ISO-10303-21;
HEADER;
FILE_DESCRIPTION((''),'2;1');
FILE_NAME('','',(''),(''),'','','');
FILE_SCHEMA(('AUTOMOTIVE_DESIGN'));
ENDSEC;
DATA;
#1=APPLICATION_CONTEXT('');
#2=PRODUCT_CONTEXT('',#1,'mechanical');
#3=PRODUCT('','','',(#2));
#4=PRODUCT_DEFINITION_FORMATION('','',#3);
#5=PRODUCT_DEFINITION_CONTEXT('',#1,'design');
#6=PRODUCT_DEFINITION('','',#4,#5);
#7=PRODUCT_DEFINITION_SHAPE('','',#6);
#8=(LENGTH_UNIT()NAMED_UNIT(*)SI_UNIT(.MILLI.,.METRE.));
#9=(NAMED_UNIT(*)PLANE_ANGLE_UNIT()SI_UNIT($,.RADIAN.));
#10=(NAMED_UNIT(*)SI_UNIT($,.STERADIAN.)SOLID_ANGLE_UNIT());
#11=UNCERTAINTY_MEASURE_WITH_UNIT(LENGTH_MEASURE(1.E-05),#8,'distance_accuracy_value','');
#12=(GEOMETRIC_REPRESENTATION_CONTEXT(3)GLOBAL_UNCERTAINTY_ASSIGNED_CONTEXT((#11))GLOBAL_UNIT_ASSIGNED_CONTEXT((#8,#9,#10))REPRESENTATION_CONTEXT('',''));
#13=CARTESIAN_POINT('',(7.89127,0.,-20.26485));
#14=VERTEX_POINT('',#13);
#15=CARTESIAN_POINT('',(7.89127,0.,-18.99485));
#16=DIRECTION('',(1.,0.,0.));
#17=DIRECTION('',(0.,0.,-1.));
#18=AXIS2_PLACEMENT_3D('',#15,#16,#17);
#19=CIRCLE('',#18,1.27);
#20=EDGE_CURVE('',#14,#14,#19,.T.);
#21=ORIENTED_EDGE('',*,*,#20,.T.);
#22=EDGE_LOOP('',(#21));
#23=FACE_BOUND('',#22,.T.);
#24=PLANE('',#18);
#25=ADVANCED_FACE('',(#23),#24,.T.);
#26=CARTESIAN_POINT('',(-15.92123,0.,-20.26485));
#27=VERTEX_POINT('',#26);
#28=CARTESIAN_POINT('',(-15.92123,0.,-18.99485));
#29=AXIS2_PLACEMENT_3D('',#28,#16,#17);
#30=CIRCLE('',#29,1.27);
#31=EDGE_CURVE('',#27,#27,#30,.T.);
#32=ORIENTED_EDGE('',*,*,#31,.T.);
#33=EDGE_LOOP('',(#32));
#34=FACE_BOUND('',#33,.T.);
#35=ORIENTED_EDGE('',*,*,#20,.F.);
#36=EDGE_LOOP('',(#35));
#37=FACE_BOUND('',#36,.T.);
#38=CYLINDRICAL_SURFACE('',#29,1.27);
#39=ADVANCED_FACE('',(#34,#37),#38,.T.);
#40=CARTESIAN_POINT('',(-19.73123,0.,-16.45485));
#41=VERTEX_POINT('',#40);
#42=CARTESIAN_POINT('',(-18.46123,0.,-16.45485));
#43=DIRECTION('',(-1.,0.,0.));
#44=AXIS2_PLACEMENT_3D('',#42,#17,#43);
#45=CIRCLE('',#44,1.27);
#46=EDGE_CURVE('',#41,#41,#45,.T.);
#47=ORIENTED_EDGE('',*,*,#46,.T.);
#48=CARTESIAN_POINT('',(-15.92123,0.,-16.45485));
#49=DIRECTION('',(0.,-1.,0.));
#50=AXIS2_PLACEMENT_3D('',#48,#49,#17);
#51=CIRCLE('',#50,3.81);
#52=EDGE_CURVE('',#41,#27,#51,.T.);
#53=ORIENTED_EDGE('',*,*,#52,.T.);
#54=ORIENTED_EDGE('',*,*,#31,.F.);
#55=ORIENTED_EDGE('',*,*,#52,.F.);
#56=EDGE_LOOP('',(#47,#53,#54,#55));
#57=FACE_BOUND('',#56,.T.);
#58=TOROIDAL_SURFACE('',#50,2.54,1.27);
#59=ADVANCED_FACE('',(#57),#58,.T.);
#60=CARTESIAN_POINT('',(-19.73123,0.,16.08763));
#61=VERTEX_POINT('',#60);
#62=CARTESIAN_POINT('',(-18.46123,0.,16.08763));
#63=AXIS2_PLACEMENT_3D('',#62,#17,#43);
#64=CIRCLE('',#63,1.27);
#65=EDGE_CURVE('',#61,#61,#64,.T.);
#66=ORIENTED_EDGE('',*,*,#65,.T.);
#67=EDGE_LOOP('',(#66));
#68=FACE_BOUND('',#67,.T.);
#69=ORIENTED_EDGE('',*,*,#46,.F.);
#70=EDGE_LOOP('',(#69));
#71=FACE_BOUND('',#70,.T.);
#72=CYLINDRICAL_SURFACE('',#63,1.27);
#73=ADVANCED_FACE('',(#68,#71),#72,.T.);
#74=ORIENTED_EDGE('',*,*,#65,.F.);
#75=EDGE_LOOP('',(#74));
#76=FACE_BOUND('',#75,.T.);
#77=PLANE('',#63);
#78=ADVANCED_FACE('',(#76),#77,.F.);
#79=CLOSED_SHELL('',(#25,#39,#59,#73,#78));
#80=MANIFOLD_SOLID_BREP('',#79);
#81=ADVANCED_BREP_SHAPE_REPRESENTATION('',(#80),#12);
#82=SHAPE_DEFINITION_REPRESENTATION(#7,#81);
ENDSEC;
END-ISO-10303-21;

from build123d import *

# Parameters (mm, degrees)
SKETCH3_R = 1.27


with BuildPart() as part:
    # Sweep1: sweep along a path in Sketch1
    with BuildLine(Plane(origin=(0, 0, 0), x_dir=(1, 0, 0), z_dir=(0, 1, 0))) as sweep1_path:
        Line((7.891270042, 18.994850458), (-15.921229958, 18.994850458))
        ThreePointArc((-15.921229958, 18.994850458), (-17.717281182, 18.250901682), (-18.461229958, 16.454850458))
        Line((-18.461229958, 16.454850458), (-18.461229958, -16.087629542))
    # Sketch3 → Sweep1 (sweep)
    with BuildSketch(Plane(origin=(0, 0, 0), x_dir=(0, 0, -1), z_dir=(1, 0, 0))):
        with Locations((18.994850458, 0)):
            Circle(SKETCH3_R)
    sweep(path=sweep1_path.line)


solid = part.part
